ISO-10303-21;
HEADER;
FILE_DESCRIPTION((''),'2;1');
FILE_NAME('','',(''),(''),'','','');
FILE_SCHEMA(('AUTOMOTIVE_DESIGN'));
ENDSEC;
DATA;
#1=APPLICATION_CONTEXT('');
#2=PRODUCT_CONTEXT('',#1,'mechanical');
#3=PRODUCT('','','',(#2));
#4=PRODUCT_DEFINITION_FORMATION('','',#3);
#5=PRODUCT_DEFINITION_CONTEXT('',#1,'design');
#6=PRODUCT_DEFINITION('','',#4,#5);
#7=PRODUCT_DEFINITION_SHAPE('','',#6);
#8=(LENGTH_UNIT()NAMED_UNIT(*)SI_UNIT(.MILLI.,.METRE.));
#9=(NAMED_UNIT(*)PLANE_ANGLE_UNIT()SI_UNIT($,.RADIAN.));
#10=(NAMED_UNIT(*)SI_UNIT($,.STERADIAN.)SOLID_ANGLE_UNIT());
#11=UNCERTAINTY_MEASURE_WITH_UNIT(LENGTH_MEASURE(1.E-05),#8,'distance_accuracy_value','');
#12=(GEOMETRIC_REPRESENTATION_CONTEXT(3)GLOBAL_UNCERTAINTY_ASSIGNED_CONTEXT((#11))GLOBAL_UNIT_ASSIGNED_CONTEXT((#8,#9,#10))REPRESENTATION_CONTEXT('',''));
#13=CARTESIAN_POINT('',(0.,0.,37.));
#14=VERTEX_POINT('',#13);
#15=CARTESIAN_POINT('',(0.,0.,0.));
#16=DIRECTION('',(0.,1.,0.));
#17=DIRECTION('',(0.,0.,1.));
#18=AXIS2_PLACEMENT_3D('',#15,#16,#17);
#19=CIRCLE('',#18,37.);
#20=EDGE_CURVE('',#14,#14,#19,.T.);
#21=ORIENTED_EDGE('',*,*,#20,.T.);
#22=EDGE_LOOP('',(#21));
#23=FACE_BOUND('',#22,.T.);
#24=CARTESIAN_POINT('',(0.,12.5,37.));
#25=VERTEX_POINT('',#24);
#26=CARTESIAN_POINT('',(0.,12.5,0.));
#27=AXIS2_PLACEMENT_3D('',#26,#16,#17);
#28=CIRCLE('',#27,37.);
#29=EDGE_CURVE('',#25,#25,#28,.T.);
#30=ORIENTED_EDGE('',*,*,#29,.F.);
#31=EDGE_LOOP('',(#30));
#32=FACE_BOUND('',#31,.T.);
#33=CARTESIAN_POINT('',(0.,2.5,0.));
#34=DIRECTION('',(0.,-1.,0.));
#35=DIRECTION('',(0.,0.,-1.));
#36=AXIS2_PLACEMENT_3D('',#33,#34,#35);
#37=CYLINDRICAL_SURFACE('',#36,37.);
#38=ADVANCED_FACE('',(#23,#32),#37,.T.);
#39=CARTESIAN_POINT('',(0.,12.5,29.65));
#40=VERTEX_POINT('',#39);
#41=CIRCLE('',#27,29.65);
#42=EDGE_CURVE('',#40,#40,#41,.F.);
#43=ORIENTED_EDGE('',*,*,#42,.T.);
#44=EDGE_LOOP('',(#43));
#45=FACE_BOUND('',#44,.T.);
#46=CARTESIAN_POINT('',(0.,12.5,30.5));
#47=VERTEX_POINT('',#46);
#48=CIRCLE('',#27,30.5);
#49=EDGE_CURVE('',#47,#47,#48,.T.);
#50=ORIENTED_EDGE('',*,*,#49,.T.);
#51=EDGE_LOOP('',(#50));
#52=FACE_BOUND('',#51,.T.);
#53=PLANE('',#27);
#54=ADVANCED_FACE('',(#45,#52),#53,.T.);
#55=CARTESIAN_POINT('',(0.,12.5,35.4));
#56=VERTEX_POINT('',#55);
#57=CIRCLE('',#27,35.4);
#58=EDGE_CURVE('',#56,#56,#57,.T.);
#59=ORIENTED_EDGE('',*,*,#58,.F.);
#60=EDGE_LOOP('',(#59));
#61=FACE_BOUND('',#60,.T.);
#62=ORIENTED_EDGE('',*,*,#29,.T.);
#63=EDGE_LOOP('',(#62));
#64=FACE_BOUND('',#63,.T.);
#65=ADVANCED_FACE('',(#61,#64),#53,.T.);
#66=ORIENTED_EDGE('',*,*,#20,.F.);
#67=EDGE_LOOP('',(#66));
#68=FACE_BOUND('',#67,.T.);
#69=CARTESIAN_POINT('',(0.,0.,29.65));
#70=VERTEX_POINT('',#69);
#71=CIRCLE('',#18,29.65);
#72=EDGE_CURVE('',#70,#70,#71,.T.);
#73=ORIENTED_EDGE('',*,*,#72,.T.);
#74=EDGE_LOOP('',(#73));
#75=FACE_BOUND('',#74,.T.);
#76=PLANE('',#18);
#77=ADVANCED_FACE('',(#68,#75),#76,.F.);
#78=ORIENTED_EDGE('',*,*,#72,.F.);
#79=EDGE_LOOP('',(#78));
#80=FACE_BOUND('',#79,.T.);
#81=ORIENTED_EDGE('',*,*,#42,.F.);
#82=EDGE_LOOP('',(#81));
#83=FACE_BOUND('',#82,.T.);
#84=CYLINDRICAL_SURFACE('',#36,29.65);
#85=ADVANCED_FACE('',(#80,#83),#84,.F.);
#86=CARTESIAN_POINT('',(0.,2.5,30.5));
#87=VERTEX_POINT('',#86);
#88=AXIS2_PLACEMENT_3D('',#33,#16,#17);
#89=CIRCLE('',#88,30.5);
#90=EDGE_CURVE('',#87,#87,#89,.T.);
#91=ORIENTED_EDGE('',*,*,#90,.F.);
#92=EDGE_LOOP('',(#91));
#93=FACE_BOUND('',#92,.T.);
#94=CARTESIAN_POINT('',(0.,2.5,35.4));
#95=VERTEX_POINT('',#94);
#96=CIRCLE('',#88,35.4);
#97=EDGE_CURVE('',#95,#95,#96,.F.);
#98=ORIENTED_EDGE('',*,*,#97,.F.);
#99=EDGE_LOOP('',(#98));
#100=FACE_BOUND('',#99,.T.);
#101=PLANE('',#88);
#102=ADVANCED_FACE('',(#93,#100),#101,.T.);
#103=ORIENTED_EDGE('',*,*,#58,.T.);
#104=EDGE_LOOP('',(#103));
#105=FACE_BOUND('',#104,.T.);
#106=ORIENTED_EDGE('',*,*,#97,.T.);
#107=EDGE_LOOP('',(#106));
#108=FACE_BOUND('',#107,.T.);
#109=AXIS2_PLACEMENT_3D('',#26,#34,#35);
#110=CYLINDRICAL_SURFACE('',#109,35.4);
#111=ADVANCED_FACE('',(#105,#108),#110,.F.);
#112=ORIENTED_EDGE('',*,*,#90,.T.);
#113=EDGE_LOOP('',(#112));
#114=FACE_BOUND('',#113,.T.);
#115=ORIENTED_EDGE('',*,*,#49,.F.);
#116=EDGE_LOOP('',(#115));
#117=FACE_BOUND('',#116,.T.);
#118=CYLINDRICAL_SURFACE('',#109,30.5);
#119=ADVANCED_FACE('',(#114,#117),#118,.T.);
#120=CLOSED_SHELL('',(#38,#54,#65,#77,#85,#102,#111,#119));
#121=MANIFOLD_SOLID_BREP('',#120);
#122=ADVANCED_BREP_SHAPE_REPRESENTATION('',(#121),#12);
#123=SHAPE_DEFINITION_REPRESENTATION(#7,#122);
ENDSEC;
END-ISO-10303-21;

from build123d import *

# Parameters (mm, degrees)
CROQUIS1_R              = 37
CROQUIS1_R_2            = 29.65
SALIENTE_EXTRUIR1_DEPTH = 2.5
CROQUIS2_R              = 37
CROQUIS2_R_2            = 35.4
CROQUIS2_R_3            = 30.5
CROQUIS2_R_4            = 29.65
SALIENTE_EXTRUIR2_DEPTH = 10


with BuildPart() as part:
    # Croquis1 → Saliente-Extruir1 (new body)
    with BuildSketch(Plane(origin=(0, 0, 0), x_dir=(1, 0, 0), z_dir=(0, 1, 0))):
        with Locations(Location((0, 0, 0), (0, 0, 270))):
            Circle(CROQUIS1_R)
        with Locations(Location((0, 0, 0), (0, 0, 270))):
            Circle(CROQUIS1_R_2, mode=Mode.SUBTRACT)
    extrude(amount=SALIENTE_EXTRUIR1_DEPTH)

    # Croquis2 → Saliente-Extruir2 (add)
    # profile 1 of 2: a face of its own
    with BuildSketch(Plane(origin=(0, 2.5, 0), x_dir=(1, 0, 0), z_dir=(0, 1, 0))):
        with Locations(Location((0, 0, 0), (0, 0, 270))):
            Circle(CROQUIS2_R)
        with Locations(Location((0, 0, 0), (0, 0, 270))):
            Circle(CROQUIS2_R_2, mode=Mode.SUBTRACT)
    # profile 2 of 2: a face of its own
    with BuildSketch(Plane(origin=(0, 2.5, 0), x_dir=(1, 0, 0), z_dir=(0, 1, 0))):
        with Locations(Location((0, 0, 0), (0, 0, 270))):
            Circle(CROQUIS2_R_3)
        with Locations(Location((0, 0, 0), (0, 0, 270))):
            Circle(CROQUIS2_R_4, mode=Mode.SUBTRACT)
    extrude(amount=SALIENTE_EXTRUIR2_DEPTH)


solid = part.part
